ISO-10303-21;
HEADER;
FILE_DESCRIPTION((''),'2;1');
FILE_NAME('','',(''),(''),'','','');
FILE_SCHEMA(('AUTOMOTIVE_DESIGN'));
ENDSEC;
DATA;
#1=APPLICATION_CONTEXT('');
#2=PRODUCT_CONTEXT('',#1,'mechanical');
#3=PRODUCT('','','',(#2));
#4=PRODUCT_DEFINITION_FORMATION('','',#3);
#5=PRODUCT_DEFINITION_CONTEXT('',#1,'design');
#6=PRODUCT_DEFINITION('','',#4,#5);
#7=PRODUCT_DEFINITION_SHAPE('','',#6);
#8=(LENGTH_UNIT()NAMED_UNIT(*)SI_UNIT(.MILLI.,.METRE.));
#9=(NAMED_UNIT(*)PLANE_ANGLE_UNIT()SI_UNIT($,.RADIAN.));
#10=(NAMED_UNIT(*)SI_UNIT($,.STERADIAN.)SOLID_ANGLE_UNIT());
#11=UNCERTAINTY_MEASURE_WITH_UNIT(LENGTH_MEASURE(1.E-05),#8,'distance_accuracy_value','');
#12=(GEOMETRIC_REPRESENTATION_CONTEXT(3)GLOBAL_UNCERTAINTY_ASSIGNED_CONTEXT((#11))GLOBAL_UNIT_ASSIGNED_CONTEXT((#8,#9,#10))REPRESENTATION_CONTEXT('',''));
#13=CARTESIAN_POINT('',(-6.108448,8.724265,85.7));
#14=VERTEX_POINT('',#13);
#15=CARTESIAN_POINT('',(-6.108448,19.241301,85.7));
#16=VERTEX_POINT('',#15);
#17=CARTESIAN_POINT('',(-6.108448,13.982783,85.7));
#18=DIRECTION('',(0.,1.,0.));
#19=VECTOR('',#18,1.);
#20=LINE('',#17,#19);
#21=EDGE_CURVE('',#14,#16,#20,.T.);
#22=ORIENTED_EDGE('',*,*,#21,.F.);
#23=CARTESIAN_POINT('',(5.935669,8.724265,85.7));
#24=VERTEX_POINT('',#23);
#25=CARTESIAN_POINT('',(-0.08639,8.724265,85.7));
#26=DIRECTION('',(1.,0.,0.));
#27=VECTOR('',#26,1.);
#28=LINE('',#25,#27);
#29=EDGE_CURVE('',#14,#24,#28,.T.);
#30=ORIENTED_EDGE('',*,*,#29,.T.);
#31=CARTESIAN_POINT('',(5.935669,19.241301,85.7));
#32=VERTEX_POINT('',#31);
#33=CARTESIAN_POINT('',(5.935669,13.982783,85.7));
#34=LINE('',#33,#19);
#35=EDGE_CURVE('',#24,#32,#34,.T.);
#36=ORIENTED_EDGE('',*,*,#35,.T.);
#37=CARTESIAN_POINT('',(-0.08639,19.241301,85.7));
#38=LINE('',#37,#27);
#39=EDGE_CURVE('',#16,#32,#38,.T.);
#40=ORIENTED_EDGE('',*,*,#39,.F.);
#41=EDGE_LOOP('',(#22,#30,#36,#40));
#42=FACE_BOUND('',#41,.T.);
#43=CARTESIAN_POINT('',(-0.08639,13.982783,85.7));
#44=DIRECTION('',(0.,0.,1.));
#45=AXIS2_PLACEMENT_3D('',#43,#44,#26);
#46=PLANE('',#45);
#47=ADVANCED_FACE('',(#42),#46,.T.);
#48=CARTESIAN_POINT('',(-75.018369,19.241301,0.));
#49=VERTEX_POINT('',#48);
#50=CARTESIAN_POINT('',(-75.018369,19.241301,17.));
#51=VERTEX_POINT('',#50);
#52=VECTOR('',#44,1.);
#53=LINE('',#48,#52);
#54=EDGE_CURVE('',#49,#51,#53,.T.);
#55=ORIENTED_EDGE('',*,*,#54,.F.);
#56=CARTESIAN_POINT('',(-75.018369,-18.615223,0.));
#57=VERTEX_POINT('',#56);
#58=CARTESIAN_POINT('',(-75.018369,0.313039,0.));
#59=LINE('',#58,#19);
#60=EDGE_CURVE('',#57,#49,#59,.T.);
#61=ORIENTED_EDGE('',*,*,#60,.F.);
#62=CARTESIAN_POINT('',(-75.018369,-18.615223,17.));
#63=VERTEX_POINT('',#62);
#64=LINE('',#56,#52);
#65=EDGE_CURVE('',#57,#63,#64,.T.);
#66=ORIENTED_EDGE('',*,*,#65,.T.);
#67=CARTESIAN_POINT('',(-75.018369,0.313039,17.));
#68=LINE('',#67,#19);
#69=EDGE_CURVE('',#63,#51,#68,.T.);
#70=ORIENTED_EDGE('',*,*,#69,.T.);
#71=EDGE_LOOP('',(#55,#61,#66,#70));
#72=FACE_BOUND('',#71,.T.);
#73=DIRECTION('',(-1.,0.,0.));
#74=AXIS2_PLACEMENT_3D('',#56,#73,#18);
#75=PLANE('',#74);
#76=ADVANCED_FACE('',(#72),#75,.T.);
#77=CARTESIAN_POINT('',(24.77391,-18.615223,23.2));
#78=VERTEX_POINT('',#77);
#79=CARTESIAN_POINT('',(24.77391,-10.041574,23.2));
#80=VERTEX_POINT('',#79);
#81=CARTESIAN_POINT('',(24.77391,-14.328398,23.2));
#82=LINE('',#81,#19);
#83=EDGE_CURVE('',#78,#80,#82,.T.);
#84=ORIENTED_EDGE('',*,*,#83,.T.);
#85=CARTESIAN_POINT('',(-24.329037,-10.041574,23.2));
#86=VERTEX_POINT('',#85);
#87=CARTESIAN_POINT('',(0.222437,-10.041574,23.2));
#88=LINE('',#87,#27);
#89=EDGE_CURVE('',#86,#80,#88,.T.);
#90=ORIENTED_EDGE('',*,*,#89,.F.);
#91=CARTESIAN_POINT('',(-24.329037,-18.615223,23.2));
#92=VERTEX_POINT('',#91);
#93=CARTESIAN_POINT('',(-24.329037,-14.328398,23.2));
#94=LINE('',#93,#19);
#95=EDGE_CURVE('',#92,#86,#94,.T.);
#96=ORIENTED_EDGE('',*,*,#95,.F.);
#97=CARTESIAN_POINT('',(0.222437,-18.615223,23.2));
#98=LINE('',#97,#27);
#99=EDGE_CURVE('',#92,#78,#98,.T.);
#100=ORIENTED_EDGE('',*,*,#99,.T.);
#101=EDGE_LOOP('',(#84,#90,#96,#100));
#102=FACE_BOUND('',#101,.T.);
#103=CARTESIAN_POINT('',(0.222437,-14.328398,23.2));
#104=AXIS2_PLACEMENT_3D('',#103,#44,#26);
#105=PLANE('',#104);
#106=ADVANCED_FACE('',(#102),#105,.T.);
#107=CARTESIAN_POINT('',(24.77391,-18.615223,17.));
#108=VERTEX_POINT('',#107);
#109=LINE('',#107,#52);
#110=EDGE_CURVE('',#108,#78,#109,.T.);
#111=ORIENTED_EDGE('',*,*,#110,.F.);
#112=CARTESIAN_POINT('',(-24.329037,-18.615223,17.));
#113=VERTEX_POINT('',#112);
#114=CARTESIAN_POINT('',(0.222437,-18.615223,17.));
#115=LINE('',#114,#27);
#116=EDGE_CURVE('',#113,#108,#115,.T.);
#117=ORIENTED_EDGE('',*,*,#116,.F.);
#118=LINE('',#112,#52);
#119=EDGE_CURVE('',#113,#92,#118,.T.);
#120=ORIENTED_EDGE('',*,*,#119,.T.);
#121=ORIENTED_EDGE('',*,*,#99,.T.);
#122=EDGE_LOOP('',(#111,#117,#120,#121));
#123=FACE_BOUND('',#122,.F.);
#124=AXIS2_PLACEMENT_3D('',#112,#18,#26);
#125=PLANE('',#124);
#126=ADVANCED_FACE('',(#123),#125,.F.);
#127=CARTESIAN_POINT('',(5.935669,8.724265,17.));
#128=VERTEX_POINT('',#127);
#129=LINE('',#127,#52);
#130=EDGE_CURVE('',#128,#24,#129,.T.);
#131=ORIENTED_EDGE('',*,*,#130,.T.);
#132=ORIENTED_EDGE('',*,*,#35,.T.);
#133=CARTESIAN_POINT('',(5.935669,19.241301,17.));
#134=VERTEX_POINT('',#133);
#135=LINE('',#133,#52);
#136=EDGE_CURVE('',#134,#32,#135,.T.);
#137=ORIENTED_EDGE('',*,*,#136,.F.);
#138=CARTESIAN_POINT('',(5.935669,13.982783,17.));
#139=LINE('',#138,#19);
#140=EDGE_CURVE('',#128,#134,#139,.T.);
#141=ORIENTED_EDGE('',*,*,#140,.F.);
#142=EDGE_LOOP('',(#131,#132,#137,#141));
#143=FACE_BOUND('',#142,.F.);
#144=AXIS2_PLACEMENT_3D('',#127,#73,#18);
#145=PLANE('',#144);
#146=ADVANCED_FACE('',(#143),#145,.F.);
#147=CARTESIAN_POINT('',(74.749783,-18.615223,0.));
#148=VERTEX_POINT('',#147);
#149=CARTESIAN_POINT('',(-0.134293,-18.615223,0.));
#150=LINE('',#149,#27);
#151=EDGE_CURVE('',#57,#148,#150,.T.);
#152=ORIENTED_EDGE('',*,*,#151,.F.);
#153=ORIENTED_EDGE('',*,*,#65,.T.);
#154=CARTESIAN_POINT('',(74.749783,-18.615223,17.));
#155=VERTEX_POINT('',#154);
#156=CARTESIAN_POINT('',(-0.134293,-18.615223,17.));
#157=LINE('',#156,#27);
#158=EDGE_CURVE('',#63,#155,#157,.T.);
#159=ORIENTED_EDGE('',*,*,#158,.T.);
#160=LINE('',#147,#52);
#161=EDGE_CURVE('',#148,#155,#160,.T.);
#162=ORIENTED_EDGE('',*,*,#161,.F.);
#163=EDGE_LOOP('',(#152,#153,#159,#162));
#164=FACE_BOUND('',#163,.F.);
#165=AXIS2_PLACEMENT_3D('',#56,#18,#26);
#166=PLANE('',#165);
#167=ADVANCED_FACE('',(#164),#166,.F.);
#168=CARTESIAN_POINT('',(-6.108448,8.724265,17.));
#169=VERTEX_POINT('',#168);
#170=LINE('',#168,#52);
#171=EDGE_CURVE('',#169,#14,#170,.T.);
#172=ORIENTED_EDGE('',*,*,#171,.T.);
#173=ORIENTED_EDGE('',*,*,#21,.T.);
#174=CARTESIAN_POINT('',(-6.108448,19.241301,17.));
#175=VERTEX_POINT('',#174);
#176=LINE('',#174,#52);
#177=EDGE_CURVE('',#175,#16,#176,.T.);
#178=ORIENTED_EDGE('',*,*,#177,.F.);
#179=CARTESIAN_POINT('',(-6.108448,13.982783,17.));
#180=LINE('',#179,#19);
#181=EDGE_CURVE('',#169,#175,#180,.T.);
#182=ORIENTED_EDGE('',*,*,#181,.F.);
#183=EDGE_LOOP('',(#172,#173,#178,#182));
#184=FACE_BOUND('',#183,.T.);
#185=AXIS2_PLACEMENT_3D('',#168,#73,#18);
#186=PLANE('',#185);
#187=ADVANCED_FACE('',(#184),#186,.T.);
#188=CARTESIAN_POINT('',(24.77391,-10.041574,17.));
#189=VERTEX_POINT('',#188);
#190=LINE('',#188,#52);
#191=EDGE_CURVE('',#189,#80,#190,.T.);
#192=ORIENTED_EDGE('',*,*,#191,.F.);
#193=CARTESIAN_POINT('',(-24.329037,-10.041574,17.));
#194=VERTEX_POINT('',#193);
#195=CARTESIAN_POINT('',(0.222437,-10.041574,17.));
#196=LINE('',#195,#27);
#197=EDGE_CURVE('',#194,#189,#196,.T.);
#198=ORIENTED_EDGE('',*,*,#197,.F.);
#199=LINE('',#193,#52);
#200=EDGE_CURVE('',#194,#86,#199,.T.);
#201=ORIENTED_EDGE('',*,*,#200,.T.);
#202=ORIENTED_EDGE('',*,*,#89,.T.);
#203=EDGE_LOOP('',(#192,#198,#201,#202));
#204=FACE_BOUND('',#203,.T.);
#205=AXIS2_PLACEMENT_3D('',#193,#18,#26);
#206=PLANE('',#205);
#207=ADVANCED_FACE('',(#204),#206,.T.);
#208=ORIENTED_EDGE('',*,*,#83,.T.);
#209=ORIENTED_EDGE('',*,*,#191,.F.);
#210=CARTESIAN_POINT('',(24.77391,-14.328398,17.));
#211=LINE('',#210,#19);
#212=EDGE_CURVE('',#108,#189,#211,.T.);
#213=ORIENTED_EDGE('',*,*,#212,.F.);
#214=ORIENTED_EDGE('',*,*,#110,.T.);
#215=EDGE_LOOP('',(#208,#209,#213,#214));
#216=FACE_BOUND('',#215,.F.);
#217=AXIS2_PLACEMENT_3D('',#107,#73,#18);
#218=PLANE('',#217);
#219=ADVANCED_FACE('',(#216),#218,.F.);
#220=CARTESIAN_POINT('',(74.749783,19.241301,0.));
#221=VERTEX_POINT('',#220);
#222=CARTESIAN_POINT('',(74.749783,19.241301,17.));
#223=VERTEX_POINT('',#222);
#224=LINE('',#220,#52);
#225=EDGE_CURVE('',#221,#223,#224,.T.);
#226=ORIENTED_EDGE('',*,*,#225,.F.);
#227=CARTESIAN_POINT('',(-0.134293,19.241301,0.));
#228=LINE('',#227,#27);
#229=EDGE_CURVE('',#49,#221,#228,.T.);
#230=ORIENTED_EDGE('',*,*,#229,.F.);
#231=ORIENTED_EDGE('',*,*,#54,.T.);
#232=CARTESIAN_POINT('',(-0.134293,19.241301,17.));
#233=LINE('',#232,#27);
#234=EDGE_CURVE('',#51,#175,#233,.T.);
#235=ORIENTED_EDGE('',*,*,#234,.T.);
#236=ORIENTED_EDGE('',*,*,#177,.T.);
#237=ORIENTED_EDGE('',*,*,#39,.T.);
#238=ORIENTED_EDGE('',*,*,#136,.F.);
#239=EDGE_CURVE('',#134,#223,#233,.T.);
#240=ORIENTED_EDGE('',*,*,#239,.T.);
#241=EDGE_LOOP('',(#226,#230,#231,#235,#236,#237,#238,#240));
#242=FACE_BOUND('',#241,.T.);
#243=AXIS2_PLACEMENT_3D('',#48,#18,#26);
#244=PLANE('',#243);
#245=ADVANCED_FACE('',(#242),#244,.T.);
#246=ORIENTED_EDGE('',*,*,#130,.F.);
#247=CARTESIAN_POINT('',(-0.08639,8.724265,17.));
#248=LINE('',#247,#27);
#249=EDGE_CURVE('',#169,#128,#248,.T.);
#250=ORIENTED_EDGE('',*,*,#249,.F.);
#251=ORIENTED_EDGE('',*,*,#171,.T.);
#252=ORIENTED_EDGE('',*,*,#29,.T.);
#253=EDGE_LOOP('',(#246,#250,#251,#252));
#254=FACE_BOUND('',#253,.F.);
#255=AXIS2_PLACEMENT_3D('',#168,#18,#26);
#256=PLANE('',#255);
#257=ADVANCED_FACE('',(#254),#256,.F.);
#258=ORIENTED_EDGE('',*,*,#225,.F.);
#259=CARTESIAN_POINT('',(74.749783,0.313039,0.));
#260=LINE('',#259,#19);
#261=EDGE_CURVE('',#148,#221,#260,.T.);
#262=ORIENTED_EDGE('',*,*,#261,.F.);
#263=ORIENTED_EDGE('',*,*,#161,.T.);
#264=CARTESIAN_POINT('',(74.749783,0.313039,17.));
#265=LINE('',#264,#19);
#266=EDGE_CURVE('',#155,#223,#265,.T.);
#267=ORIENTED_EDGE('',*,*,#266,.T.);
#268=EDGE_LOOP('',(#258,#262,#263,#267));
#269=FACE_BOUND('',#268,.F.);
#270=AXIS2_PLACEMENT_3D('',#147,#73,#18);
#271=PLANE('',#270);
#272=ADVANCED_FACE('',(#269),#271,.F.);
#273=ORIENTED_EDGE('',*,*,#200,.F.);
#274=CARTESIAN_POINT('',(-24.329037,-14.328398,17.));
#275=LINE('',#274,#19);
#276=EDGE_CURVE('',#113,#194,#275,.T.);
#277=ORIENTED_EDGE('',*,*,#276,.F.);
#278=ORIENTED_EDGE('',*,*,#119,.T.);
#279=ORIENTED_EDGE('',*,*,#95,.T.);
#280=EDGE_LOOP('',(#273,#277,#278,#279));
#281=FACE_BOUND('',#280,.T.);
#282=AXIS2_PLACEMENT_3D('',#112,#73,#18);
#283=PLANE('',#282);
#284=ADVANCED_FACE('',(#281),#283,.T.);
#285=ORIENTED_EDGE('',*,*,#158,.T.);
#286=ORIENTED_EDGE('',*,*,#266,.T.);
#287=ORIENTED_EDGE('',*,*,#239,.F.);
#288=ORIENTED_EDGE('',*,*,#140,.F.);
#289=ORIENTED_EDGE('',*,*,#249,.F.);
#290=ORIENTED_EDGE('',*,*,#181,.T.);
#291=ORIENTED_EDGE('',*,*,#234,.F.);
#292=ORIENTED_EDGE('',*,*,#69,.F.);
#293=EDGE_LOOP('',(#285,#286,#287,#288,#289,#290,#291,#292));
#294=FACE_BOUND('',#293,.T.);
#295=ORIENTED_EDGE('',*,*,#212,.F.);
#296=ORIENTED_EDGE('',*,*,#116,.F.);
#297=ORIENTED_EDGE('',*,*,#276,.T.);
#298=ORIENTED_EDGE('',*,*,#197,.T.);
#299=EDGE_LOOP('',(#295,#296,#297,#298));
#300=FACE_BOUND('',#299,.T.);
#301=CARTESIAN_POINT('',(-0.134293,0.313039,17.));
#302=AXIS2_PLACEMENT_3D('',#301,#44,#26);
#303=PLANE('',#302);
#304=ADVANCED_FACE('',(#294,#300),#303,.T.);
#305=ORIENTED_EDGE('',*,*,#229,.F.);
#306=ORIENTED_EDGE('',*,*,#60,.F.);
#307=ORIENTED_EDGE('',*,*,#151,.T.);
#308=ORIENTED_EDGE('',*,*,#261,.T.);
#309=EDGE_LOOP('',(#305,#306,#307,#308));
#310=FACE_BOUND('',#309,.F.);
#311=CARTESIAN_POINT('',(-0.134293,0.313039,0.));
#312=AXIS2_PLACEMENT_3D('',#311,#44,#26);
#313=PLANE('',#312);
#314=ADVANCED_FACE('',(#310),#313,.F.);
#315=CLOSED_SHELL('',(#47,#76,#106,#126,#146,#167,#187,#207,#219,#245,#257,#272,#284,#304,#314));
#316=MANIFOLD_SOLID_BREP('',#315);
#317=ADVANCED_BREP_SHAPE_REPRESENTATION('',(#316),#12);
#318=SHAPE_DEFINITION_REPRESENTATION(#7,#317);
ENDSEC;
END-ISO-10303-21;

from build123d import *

# Parameters (mm, degrees)
F0_W     = 149.768152
F0_H     = 37.856524
F1_DEPTH = 17
F2_W     = 12.044117
F2_H     = 10.517036
F3_DEPTH = 68.7
F2_W_2   = 49.102947
F2_H_2   = 8.573649
F4_DEPTH = 6.2


with BuildPart() as f1:
    # F0 (on Top) → F1 (new body)
    with BuildSketch(Plane.XY):
        with Locations((-0.134293, 0.313039)):
            Rectangle(F0_W, F0_H)
    extrude(amount=F1_DEPTH)

    # F2 (on face) → F3 (join)
    with BuildSketch(Plane.XY.offset(17)):
        with Locations((-0.08639, 13.982783)):
            Rectangle(F2_W, F2_H)
    extrude(amount=F3_DEPTH)

    # F2 (on face) → F4 (join)
    with BuildSketch(Plane.XY.offset(17)):
        with Locations((0.222437, -14.328398)):
            Rectangle(F2_W_2, F2_H_2)
    extrude(amount=F4_DEPTH)


solid = f1.part
